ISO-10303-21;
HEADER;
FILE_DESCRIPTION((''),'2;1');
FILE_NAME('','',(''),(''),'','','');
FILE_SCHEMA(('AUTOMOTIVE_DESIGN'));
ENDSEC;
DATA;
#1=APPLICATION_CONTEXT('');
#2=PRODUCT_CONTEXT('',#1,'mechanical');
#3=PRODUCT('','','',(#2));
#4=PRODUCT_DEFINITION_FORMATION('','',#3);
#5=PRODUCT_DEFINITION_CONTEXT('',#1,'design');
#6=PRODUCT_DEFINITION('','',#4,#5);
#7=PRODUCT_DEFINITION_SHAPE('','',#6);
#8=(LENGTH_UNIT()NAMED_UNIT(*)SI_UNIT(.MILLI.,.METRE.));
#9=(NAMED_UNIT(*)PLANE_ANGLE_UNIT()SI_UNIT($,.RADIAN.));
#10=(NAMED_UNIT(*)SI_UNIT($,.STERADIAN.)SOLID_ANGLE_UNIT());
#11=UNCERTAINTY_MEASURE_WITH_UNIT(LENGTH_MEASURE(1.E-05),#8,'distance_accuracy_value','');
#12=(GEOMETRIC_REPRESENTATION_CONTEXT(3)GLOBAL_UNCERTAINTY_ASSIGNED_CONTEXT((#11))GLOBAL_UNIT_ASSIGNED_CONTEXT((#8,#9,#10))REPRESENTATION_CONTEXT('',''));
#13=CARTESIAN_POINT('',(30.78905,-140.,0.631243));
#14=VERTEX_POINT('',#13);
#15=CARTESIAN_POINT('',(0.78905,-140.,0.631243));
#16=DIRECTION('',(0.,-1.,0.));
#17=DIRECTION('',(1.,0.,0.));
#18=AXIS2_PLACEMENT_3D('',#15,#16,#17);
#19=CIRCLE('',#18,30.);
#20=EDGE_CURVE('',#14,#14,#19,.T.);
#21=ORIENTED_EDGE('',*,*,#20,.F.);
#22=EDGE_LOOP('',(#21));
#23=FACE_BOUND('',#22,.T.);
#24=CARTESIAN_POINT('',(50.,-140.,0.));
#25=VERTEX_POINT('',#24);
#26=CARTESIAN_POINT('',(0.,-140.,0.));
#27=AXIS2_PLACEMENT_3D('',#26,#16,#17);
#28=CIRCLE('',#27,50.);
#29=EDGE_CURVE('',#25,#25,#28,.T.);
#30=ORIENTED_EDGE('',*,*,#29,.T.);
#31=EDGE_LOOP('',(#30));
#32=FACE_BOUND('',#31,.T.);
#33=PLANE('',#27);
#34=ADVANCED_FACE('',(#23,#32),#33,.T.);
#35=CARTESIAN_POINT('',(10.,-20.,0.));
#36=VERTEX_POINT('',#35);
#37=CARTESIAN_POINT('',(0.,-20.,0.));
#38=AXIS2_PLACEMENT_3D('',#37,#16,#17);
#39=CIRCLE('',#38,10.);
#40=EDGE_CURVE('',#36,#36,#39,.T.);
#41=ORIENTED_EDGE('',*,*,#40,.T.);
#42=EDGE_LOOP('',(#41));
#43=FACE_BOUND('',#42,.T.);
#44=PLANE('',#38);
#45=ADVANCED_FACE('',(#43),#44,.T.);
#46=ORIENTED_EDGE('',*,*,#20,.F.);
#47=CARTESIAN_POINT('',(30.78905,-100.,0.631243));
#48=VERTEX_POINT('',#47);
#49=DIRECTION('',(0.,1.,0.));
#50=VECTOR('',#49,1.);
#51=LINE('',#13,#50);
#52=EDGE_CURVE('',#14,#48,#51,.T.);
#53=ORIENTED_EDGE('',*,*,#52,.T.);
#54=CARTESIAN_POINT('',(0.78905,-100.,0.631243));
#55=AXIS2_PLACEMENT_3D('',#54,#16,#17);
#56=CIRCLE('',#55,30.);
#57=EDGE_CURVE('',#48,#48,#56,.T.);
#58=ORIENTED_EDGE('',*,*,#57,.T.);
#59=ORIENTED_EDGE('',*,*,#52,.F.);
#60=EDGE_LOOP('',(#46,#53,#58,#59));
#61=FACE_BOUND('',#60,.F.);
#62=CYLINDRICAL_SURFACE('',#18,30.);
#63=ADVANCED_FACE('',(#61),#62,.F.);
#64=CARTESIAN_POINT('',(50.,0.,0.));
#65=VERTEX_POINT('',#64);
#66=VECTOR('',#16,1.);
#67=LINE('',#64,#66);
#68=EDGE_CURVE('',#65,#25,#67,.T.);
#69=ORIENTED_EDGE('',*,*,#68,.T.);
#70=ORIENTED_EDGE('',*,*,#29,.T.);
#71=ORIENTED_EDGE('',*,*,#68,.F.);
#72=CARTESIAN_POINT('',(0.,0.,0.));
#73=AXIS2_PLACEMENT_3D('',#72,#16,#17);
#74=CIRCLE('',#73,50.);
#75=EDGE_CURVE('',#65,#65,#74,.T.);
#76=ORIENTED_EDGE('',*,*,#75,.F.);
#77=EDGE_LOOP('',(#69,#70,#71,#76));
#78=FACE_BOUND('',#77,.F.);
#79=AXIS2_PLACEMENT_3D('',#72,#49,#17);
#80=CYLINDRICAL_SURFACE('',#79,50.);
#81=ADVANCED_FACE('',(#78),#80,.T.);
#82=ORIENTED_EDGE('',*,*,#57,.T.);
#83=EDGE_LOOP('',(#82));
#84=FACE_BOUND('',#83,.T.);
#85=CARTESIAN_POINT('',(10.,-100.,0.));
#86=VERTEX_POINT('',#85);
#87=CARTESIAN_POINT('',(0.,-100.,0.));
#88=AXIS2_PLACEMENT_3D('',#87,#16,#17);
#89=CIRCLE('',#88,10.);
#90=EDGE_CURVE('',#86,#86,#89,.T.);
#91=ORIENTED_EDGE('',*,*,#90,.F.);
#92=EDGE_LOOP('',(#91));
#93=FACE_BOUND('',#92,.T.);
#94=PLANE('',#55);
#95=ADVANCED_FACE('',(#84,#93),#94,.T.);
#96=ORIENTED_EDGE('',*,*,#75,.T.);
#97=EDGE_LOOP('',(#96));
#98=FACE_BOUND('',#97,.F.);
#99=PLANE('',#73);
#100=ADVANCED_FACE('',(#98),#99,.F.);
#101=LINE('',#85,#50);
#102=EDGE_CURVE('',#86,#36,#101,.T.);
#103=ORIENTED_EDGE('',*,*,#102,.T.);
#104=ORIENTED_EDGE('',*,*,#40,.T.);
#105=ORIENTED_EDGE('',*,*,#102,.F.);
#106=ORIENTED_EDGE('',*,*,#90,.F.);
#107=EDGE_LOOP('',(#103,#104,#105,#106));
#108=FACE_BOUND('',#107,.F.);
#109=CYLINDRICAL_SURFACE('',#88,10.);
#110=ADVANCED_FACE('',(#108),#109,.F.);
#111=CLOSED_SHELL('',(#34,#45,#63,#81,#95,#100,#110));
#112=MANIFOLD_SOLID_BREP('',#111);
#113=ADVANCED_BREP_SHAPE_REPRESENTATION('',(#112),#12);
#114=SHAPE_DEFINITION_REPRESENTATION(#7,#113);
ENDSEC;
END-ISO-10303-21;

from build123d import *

# Parameters (mm, degrees)
F0_R     = 50
F1_DEPTH = 140
F2_R     = 30
F3_DEPTH = 40
F4_R     = 10
F5_DEPTH = 80


with BuildPart() as f1:
    # F0 (on Front) → F1 (new body)
    with BuildSketch(Plane.XZ):
        Circle(F0_R)
    extrude(amount=F1_DEPTH)

    # F2 (on face) → F3 (cut)
    with BuildSketch(Plane.XZ.offset(140)):
        with Locations((0.78905, 0.631243)):
            Circle(F2_R)
    extrude(amount=-F3_DEPTH, mode=Mode.SUBTRACT)

    # F4 (on face) → F5 (cut)
    with BuildSketch(Plane.XZ.offset(100)):
        Circle(F4_R)
    extrude(amount=-F5_DEPTH, mode=Mode.SUBTRACT)


solid = f1.part
